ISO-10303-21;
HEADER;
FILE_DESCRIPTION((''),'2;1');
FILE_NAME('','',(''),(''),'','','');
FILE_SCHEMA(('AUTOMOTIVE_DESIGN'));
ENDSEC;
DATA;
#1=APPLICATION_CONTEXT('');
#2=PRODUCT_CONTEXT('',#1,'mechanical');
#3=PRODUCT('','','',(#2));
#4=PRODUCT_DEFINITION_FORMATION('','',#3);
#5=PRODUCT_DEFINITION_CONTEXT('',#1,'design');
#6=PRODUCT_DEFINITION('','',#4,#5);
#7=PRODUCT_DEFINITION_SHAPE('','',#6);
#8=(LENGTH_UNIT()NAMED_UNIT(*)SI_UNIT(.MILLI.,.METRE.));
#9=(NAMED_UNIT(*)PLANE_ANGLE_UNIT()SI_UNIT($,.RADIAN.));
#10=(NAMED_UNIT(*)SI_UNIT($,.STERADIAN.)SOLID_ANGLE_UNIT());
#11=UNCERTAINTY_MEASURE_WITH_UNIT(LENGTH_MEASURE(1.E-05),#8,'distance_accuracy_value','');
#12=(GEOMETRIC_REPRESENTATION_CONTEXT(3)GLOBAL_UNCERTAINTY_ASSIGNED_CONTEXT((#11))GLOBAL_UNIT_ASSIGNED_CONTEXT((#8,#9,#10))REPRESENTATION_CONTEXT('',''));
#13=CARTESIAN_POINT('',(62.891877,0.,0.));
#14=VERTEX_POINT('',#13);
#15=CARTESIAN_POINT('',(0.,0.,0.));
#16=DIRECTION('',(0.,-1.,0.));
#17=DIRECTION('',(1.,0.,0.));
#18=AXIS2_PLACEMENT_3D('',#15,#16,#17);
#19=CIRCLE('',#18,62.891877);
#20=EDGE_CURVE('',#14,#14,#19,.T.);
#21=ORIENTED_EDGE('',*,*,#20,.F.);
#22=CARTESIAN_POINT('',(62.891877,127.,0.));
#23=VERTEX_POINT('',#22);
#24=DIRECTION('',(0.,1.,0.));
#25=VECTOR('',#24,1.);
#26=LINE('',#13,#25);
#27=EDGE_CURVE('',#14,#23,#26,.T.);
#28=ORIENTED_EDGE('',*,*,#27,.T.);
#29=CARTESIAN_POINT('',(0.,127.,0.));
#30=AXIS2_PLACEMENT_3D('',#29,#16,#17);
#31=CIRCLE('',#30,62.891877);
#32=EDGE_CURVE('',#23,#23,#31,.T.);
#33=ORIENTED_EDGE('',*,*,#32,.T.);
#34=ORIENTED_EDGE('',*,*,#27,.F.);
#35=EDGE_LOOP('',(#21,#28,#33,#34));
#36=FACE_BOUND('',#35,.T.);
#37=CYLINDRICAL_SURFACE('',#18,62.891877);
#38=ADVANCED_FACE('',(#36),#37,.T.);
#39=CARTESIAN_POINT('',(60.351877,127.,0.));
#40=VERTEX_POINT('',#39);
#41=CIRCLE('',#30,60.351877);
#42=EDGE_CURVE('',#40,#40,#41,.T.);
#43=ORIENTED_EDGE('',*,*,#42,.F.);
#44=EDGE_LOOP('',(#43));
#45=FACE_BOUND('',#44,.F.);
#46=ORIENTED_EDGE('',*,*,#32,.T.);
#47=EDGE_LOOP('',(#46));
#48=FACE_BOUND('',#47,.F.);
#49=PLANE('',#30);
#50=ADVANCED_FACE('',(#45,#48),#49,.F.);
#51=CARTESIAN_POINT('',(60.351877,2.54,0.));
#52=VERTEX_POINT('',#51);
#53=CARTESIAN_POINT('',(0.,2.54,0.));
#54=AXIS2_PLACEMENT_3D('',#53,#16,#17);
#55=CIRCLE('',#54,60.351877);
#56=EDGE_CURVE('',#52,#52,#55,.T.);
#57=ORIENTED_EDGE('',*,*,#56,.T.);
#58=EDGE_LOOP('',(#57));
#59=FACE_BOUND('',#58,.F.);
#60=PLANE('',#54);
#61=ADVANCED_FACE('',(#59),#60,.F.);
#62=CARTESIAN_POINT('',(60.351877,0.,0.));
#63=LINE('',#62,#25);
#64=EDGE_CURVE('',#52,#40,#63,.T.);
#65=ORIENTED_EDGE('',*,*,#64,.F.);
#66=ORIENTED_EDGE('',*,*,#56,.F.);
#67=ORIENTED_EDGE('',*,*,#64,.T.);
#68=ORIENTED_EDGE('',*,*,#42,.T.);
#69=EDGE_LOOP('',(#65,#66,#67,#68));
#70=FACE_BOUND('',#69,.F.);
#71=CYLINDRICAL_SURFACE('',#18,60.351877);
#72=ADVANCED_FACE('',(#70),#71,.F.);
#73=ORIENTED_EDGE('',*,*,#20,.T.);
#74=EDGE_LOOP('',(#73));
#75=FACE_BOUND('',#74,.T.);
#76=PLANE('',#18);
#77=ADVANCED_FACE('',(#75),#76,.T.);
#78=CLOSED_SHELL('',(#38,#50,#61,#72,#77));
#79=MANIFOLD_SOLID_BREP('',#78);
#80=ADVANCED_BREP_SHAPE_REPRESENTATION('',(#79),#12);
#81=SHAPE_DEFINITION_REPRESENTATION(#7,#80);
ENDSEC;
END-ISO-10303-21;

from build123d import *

# Parameters (mm, degrees)
F0_R     = 62.891877
F1_DEPTH = 127
F2_T     = -2.54


with BuildPart() as f1:
    # F0 (on Front) → F1 (new body)
    with BuildSketch(Plane.XZ):
        Circle(F0_R)
    extrude(amount=-F1_DEPTH)

    # F2
    f2_openings = [f1.faces().sort_by_distance(p)[0] for p in [
        (0, 127, 0),
    ]]
    offset(amount=F2_T, openings=f2_openings)


solid = f1.part
